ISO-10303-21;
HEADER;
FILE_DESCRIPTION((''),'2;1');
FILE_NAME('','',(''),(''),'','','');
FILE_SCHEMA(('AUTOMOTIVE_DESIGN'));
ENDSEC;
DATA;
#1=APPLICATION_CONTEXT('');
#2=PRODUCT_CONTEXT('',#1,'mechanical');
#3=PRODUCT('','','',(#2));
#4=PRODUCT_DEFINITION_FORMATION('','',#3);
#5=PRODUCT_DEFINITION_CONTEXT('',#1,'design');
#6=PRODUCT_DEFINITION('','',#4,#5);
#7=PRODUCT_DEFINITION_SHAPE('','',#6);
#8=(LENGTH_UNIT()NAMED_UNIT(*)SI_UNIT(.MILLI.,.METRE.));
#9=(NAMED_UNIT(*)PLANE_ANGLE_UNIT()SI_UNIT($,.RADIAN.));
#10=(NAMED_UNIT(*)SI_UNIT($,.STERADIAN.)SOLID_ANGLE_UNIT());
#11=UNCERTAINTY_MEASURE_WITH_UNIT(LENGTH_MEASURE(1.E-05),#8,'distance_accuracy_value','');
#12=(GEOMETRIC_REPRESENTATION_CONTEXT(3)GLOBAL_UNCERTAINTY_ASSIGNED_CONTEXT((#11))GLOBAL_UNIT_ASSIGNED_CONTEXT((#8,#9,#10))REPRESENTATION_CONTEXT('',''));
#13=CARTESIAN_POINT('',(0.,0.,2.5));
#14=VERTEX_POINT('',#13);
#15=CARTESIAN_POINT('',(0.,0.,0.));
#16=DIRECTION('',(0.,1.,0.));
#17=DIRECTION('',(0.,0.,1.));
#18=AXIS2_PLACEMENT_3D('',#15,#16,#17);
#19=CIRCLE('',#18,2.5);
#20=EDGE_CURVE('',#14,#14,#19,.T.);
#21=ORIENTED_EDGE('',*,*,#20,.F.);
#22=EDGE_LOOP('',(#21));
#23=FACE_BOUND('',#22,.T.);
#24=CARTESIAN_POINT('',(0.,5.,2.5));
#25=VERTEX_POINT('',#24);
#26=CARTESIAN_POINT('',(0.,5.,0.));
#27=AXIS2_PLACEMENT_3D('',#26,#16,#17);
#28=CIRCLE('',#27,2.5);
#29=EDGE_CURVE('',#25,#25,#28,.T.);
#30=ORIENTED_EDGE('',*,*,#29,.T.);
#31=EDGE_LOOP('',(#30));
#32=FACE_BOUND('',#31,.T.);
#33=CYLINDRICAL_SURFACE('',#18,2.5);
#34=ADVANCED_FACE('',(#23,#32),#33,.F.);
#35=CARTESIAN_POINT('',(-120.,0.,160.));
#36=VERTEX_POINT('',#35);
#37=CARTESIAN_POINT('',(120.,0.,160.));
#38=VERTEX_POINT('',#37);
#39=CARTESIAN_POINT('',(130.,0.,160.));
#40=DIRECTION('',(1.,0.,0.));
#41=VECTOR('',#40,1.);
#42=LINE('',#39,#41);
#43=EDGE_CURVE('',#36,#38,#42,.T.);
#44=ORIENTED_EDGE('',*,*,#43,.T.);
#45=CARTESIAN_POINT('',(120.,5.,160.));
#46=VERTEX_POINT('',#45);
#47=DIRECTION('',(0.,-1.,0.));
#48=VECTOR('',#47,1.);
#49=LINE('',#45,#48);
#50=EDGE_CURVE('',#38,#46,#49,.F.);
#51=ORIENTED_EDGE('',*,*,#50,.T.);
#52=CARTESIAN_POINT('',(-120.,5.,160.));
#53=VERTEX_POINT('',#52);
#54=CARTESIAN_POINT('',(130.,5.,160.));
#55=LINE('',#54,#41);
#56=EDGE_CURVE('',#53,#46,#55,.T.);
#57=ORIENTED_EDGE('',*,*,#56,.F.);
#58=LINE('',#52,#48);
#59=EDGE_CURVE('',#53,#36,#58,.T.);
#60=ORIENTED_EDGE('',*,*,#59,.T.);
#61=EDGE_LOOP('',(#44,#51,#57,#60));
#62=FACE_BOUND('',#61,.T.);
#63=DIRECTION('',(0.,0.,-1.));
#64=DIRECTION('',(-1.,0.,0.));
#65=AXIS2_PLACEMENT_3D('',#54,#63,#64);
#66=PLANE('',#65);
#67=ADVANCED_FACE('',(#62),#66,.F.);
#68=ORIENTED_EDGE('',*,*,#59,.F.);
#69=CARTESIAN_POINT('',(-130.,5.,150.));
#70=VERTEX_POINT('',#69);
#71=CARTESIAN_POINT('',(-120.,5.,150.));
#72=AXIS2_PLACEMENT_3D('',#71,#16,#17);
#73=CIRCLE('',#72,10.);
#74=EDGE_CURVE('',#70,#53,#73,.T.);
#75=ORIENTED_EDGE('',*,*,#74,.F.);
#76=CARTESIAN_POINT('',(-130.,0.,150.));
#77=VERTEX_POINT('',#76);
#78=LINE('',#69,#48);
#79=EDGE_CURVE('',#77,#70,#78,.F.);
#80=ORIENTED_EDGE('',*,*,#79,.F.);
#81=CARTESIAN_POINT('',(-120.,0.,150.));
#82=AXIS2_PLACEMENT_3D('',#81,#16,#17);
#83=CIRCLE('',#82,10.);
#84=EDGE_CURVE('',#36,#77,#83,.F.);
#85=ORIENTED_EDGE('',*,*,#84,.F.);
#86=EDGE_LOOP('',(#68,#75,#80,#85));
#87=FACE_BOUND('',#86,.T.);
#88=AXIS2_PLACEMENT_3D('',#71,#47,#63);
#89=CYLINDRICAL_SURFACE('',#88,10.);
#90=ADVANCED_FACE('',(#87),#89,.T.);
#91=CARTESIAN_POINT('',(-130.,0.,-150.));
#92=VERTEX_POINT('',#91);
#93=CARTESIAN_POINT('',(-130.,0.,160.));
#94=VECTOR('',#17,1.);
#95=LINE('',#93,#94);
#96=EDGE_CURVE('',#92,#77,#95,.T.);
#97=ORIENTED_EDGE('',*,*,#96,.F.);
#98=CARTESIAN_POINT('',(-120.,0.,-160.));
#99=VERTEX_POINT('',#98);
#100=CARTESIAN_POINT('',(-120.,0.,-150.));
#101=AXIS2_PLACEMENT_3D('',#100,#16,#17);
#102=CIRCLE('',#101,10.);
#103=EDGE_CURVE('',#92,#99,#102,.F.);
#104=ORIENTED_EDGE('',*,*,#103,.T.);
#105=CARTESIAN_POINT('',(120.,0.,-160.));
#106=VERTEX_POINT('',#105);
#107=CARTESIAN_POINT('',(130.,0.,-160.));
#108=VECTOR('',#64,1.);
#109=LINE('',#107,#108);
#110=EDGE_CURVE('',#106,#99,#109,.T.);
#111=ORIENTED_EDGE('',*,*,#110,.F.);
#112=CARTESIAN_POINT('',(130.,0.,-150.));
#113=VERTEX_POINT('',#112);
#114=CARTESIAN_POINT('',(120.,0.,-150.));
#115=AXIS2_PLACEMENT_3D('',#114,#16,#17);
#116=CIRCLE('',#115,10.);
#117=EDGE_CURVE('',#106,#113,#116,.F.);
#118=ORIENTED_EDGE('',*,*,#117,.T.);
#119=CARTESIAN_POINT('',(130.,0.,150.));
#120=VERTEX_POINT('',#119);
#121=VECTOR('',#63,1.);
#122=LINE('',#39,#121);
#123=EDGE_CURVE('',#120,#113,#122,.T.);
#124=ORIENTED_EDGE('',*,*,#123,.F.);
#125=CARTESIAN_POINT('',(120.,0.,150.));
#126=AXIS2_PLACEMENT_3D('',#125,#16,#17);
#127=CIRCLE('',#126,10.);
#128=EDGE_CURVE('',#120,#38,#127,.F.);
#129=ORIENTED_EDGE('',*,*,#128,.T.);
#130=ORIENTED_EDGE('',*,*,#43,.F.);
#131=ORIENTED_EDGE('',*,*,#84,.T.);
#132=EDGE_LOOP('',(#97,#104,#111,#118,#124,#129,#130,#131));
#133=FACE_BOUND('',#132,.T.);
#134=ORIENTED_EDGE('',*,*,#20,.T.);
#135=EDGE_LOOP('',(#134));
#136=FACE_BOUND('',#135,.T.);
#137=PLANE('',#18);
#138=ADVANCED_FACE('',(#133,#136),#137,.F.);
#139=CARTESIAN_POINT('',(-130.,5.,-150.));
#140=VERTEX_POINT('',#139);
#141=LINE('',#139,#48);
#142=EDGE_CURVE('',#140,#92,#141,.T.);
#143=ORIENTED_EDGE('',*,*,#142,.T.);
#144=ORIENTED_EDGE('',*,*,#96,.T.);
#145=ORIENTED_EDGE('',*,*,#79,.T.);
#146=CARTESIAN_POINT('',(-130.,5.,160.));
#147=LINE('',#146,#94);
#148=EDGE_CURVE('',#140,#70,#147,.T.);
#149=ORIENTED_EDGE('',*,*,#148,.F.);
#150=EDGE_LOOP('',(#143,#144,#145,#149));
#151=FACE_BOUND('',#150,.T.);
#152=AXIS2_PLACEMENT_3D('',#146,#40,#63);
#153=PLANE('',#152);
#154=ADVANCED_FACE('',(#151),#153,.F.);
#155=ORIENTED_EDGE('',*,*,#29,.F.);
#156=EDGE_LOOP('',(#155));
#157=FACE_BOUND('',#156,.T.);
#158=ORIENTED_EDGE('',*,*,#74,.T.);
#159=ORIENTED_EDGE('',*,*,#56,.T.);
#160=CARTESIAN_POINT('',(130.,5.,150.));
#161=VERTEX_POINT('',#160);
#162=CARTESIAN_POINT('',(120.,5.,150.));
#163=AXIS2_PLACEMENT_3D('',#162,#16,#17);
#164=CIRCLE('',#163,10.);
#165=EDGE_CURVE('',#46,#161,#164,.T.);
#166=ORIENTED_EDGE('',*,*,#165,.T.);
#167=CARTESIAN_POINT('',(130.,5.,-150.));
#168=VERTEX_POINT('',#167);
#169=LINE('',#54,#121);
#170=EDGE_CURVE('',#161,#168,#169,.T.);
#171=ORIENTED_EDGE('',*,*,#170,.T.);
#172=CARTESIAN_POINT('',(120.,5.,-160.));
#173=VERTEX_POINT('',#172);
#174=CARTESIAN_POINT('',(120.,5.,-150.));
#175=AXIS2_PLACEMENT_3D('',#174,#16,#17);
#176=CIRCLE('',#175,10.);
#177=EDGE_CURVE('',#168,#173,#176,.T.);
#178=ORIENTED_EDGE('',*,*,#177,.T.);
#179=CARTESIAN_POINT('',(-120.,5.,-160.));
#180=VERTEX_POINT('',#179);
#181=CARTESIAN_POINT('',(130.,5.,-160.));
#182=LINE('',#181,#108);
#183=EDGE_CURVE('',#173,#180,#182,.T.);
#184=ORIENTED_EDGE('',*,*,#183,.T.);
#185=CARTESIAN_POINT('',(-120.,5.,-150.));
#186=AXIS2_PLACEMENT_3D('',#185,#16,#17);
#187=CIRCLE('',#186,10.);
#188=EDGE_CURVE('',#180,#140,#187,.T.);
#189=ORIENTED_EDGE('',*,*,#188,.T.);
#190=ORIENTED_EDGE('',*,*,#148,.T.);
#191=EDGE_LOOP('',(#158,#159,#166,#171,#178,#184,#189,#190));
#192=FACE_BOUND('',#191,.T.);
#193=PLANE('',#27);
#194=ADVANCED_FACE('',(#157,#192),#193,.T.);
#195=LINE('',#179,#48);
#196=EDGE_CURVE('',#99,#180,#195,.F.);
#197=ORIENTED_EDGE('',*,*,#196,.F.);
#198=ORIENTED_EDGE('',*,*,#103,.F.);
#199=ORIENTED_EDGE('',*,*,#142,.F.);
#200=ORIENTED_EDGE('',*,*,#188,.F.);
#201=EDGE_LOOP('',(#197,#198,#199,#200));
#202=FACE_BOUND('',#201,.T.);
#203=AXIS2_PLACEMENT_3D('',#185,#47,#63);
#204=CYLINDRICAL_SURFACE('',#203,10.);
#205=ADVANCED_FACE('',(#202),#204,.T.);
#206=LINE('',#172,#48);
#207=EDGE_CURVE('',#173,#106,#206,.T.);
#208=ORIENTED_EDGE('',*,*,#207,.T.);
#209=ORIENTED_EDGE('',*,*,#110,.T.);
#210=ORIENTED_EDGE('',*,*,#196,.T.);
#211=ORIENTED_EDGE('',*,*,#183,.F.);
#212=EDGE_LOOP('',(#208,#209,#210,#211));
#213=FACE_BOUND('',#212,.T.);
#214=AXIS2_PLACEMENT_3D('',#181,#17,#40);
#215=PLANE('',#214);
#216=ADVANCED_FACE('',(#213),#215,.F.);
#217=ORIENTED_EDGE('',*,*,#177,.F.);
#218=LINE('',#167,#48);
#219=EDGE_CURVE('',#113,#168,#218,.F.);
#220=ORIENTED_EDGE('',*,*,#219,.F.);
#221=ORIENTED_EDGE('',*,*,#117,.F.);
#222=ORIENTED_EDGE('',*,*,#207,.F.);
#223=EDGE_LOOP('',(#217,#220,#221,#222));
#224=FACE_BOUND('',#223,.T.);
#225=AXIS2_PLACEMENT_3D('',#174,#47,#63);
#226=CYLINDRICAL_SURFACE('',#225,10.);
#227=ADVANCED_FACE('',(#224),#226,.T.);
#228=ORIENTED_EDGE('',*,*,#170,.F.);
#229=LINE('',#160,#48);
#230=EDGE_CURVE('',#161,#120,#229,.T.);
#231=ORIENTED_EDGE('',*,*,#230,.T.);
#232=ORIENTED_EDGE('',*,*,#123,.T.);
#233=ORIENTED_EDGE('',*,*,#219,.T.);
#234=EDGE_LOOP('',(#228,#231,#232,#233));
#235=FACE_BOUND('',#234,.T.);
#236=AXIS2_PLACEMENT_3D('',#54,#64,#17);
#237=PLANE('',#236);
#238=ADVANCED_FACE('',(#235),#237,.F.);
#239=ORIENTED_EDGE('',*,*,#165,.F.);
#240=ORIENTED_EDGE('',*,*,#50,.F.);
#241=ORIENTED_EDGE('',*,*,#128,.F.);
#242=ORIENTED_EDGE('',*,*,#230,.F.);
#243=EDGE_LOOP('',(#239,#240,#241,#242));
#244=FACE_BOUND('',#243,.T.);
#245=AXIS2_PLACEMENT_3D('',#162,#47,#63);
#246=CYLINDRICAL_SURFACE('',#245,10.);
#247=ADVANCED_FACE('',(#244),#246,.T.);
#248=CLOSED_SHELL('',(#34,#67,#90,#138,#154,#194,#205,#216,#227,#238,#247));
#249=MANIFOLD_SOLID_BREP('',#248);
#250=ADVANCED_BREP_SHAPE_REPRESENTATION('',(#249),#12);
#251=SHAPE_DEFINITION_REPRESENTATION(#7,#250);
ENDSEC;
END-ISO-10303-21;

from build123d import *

# Parameters (mm, degrees)
SKETCH1_W           = 260
SKETCH1_H           = 320
BOSS_EXTRUDE1_DEPTH = 5
FILLET1_R           = 10
SKETCH2_R           = 2.5
CUT_EXTRUDE1_DEPTH  = 207.215906273


with BuildPart() as part:
    # Sketch1 → Boss-Extrude1 (new body)
    with BuildSketch(Plane(origin=(0, 0, 0), x_dir=(1, 0, 0), z_dir=(0, 1, 0))):
        Rectangle(SKETCH1_W, SKETCH1_H)
    extrude(amount=BOSS_EXTRUDE1_DEPTH)

    # Fillet1
    fillet1_edges = [part.edges().sort_by_distance(p)[0] for p in [
        (-130, 2.5, -160),
        (130, 2.5, -160),
        (130, 2.5, 160),
        (-130, 2.5, 160),
    ]]
    fillet(fillet1_edges, radius=FILLET1_R)

    # Sketch2 → Cut-Extrude1 (cut, through all)
    with BuildSketch(Plane(origin=(0, 5, 0), x_dir=(1, 0, 0), z_dir=(0, 1, 0))):
        with Locations(Location((0, 0, 0), (0, 0, 270))):
            Circle(SKETCH2_R)
    extrude(amount=-CUT_EXTRUDE1_DEPTH, mode=Mode.SUBTRACT)


solid = part.part
